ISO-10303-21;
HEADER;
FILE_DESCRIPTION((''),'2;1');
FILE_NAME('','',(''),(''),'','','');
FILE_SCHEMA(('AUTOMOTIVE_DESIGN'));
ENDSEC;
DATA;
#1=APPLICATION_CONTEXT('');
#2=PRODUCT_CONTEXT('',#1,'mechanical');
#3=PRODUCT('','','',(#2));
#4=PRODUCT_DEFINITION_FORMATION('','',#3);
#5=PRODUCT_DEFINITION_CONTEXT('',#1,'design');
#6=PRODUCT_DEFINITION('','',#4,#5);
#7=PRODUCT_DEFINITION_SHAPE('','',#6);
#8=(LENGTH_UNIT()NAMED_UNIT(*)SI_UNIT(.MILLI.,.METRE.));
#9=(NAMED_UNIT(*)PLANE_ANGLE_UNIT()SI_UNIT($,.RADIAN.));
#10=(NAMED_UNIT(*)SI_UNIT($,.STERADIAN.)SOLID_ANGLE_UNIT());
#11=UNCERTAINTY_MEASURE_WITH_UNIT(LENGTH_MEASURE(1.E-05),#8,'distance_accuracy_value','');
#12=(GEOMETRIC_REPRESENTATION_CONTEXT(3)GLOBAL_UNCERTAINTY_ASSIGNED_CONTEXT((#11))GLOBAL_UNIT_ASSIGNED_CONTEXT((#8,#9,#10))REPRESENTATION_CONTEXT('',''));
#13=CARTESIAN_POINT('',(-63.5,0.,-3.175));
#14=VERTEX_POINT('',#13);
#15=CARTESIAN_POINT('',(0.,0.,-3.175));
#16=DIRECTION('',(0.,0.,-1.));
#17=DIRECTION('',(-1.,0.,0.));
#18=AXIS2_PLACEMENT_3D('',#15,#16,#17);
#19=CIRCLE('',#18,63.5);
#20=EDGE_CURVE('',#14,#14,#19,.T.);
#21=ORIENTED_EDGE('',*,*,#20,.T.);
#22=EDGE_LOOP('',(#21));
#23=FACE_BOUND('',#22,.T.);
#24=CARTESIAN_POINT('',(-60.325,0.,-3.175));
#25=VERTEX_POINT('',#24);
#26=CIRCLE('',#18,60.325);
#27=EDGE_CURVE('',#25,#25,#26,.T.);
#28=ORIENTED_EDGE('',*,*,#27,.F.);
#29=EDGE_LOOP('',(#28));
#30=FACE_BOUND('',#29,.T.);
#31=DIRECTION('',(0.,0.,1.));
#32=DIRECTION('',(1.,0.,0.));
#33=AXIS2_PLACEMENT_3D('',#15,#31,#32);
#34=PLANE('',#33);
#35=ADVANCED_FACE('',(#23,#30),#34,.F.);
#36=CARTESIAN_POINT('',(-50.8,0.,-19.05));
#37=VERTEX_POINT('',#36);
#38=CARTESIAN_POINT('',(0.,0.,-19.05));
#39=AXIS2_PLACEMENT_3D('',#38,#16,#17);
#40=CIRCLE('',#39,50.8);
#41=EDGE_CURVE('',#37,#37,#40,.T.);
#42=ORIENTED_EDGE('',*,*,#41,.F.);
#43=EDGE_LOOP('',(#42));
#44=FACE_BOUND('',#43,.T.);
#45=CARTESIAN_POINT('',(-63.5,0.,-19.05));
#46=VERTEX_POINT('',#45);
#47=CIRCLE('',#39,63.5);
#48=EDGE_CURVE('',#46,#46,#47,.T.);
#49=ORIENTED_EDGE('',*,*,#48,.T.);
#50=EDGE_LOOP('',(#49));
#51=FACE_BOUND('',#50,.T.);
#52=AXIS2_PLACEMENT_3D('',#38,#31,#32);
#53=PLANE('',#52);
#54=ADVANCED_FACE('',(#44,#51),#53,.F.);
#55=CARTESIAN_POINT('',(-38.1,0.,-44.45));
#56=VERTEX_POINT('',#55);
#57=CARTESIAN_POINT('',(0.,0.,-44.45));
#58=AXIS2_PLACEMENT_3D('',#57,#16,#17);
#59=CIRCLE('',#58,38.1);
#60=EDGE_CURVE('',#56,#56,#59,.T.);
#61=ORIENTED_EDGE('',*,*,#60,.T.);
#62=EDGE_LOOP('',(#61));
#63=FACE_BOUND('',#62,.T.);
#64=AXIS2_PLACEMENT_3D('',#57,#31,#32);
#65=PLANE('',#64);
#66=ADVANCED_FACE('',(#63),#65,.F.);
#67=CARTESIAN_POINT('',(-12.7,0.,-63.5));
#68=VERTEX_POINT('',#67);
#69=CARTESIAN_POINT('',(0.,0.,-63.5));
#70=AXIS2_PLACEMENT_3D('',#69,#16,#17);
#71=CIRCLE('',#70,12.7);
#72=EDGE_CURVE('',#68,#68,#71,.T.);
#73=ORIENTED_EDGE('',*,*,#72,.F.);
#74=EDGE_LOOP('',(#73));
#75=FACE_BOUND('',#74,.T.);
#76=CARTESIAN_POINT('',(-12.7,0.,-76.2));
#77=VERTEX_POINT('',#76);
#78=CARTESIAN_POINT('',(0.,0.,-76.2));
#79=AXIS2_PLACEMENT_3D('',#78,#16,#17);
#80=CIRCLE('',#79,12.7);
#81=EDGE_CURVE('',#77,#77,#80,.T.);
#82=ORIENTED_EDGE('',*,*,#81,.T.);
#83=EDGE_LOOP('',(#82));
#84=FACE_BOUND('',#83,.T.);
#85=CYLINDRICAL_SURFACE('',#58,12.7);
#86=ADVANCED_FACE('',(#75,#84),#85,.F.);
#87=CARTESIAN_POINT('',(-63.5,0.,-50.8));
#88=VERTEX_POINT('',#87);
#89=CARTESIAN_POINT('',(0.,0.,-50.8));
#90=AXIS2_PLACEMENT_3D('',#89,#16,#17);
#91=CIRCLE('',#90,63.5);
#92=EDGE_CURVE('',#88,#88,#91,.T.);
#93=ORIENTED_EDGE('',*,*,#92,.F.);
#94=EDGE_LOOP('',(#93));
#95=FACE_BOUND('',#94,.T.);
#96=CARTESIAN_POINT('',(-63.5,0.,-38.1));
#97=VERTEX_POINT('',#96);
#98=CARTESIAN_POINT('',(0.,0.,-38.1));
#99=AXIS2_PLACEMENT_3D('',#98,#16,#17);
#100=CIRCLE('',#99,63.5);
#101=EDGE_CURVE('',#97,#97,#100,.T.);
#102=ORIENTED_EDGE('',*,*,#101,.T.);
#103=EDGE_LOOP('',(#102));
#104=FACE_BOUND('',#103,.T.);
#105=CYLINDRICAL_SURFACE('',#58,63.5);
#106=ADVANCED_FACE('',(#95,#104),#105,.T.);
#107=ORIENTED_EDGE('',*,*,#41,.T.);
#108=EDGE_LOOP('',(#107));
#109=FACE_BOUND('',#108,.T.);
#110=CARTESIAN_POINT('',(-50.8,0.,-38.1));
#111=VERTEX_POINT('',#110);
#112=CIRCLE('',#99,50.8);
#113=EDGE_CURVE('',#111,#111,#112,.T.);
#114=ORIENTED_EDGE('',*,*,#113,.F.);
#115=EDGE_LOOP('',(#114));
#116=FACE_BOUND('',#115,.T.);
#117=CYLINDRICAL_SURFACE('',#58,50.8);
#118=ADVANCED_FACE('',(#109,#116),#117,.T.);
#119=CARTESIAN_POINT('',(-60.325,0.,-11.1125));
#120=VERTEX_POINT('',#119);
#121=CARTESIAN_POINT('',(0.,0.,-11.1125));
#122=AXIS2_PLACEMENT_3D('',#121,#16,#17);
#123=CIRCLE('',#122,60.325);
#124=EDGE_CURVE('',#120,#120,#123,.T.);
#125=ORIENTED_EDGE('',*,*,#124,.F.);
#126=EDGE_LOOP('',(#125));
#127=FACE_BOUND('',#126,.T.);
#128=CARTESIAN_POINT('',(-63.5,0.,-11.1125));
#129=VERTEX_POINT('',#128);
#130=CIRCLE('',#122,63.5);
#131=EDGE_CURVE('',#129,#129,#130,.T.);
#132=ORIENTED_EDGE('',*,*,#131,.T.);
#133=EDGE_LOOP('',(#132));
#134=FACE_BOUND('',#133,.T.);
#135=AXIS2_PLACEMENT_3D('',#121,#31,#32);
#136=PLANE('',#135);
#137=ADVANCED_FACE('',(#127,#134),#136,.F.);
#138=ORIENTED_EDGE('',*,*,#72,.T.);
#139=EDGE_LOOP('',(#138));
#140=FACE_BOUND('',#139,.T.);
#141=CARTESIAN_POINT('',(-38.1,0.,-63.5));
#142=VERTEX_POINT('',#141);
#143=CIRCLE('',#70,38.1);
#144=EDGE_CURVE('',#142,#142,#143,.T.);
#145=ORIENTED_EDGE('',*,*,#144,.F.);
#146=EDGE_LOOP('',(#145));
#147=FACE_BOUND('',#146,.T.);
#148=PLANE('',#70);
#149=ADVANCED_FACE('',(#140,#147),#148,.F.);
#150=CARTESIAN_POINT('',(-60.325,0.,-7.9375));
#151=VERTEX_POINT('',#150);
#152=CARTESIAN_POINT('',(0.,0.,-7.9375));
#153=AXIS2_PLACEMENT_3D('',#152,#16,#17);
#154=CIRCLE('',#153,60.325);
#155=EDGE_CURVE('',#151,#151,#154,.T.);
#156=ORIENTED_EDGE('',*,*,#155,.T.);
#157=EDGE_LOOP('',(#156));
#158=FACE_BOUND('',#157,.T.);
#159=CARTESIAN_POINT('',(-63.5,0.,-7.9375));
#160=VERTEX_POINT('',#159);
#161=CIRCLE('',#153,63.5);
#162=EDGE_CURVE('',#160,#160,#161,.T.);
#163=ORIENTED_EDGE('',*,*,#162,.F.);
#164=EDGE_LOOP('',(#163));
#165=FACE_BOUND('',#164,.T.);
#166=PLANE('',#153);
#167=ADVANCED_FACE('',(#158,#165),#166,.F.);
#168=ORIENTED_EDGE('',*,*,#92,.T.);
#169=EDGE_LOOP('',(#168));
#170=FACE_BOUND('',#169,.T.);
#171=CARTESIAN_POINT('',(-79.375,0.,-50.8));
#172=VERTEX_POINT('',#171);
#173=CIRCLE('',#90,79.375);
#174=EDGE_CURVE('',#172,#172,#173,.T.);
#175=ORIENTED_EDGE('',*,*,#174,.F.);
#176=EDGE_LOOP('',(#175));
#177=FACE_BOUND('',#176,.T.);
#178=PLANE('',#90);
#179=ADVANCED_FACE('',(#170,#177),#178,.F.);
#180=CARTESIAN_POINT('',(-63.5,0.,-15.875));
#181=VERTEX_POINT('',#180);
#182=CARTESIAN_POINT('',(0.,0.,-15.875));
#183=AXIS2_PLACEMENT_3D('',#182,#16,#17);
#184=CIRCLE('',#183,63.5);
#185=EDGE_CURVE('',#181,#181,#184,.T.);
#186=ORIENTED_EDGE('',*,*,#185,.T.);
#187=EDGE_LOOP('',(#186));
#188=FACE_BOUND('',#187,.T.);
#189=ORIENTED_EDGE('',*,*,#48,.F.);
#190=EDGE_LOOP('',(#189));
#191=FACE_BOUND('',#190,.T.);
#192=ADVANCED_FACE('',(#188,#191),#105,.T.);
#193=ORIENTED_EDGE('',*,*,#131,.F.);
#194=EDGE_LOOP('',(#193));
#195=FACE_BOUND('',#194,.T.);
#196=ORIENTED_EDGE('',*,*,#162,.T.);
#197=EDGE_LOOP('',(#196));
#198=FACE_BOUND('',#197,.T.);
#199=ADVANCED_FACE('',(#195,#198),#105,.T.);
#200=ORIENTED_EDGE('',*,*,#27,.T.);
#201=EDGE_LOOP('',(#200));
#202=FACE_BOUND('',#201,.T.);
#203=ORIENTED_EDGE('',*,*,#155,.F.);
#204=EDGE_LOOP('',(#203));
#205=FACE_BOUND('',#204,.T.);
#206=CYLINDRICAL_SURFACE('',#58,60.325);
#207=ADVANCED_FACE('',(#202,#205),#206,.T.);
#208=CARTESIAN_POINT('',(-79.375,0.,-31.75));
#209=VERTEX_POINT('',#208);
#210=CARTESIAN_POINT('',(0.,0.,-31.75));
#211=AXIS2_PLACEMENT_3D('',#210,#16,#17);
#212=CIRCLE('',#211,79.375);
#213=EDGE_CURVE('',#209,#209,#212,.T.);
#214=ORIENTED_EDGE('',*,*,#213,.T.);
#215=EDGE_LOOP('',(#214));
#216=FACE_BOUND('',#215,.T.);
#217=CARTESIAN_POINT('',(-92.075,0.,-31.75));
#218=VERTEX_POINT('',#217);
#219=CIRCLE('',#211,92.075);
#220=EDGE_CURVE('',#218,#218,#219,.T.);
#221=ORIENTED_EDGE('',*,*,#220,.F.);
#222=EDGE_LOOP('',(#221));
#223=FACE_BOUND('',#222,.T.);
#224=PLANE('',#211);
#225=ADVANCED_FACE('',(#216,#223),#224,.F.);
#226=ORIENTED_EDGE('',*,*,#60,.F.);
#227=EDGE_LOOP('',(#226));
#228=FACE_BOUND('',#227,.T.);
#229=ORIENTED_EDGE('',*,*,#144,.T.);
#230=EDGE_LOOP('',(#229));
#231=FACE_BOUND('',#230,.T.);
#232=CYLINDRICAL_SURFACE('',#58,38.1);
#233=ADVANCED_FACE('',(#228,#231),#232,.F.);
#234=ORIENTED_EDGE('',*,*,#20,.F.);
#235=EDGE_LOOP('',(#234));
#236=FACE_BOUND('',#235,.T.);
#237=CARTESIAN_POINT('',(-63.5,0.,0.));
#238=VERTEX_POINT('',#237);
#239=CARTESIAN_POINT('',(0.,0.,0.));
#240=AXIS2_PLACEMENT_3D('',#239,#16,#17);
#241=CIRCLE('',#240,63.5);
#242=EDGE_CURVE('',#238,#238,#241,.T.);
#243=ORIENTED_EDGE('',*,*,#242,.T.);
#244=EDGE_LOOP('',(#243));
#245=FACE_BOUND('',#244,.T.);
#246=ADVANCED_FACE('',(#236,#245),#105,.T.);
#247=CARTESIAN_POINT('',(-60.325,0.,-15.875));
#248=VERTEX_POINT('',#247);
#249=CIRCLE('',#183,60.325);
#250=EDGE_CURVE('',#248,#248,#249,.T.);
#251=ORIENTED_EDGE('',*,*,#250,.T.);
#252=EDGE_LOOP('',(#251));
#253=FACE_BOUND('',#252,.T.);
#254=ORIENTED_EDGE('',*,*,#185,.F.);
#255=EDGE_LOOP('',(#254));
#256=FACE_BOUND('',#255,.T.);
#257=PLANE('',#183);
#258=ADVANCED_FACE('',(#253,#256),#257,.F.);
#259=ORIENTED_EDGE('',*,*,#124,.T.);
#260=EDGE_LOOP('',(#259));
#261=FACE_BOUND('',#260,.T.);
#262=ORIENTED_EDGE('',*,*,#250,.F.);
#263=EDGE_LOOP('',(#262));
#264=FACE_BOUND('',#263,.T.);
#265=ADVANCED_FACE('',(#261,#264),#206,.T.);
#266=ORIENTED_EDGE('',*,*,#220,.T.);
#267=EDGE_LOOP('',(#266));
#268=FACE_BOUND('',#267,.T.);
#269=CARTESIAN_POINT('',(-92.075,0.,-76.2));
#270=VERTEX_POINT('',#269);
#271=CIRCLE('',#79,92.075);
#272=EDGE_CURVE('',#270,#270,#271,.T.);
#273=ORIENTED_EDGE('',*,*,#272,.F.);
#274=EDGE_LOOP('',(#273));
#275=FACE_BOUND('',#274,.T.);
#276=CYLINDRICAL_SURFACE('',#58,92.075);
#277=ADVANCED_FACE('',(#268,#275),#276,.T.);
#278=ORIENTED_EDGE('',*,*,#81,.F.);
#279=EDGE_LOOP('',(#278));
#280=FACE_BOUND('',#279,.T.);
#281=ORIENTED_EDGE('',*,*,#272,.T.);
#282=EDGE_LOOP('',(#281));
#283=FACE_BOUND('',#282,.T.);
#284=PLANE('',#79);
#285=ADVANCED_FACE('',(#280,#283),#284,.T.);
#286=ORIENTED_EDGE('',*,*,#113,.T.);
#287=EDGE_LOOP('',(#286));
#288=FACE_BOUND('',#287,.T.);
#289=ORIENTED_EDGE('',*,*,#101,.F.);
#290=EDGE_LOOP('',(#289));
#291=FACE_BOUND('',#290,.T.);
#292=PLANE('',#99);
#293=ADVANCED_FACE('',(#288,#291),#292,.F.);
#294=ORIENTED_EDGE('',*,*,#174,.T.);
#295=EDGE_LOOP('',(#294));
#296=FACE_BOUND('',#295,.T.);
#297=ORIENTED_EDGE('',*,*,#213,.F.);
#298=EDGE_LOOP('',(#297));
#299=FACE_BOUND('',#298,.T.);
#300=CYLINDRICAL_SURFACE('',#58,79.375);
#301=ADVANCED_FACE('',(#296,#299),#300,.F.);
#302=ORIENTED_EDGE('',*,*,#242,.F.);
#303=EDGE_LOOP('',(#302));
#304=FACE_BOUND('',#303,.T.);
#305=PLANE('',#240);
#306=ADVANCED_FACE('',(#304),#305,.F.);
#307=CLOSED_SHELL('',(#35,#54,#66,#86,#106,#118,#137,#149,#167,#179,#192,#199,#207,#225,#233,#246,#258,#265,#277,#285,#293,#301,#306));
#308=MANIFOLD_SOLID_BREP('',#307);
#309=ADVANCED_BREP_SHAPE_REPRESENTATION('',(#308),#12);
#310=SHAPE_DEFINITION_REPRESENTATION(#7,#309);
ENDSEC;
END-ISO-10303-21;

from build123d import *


with BuildPart() as part:
    # Sketch1 → Revolve1 (revolve)
    with BuildSketch(Plane(origin=(0, 0, 0), x_dir=(1, 0, 0), z_dir=(0, 1, 0))):
        Polygon((0, 44.45), (0, 0), (63.5, 0), (63.5, 3.175), (60.325, 3.175), (60.325, 7.9375), (63.5, 7.9375), (63.5, 11.1125), (60.325, 11.1125), (60.325, 15.875), (63.5, 15.875), (63.5, 19.05), (50.8, 19.05), (50.8, 38.1), (63.5, 38.1), (63.5, 50.8), (79.375, 50.8), (79.375, 31.75), (92.075, 31.75), (92.075, 76.2), (12.7, 76.2), (12.7, 63.5), (38.1, 63.5), (38.1, 44.45), align=None)
    revolve(axis=Axis((0, 0, -44.45), (0, 0, 1)))


solid = part.part
